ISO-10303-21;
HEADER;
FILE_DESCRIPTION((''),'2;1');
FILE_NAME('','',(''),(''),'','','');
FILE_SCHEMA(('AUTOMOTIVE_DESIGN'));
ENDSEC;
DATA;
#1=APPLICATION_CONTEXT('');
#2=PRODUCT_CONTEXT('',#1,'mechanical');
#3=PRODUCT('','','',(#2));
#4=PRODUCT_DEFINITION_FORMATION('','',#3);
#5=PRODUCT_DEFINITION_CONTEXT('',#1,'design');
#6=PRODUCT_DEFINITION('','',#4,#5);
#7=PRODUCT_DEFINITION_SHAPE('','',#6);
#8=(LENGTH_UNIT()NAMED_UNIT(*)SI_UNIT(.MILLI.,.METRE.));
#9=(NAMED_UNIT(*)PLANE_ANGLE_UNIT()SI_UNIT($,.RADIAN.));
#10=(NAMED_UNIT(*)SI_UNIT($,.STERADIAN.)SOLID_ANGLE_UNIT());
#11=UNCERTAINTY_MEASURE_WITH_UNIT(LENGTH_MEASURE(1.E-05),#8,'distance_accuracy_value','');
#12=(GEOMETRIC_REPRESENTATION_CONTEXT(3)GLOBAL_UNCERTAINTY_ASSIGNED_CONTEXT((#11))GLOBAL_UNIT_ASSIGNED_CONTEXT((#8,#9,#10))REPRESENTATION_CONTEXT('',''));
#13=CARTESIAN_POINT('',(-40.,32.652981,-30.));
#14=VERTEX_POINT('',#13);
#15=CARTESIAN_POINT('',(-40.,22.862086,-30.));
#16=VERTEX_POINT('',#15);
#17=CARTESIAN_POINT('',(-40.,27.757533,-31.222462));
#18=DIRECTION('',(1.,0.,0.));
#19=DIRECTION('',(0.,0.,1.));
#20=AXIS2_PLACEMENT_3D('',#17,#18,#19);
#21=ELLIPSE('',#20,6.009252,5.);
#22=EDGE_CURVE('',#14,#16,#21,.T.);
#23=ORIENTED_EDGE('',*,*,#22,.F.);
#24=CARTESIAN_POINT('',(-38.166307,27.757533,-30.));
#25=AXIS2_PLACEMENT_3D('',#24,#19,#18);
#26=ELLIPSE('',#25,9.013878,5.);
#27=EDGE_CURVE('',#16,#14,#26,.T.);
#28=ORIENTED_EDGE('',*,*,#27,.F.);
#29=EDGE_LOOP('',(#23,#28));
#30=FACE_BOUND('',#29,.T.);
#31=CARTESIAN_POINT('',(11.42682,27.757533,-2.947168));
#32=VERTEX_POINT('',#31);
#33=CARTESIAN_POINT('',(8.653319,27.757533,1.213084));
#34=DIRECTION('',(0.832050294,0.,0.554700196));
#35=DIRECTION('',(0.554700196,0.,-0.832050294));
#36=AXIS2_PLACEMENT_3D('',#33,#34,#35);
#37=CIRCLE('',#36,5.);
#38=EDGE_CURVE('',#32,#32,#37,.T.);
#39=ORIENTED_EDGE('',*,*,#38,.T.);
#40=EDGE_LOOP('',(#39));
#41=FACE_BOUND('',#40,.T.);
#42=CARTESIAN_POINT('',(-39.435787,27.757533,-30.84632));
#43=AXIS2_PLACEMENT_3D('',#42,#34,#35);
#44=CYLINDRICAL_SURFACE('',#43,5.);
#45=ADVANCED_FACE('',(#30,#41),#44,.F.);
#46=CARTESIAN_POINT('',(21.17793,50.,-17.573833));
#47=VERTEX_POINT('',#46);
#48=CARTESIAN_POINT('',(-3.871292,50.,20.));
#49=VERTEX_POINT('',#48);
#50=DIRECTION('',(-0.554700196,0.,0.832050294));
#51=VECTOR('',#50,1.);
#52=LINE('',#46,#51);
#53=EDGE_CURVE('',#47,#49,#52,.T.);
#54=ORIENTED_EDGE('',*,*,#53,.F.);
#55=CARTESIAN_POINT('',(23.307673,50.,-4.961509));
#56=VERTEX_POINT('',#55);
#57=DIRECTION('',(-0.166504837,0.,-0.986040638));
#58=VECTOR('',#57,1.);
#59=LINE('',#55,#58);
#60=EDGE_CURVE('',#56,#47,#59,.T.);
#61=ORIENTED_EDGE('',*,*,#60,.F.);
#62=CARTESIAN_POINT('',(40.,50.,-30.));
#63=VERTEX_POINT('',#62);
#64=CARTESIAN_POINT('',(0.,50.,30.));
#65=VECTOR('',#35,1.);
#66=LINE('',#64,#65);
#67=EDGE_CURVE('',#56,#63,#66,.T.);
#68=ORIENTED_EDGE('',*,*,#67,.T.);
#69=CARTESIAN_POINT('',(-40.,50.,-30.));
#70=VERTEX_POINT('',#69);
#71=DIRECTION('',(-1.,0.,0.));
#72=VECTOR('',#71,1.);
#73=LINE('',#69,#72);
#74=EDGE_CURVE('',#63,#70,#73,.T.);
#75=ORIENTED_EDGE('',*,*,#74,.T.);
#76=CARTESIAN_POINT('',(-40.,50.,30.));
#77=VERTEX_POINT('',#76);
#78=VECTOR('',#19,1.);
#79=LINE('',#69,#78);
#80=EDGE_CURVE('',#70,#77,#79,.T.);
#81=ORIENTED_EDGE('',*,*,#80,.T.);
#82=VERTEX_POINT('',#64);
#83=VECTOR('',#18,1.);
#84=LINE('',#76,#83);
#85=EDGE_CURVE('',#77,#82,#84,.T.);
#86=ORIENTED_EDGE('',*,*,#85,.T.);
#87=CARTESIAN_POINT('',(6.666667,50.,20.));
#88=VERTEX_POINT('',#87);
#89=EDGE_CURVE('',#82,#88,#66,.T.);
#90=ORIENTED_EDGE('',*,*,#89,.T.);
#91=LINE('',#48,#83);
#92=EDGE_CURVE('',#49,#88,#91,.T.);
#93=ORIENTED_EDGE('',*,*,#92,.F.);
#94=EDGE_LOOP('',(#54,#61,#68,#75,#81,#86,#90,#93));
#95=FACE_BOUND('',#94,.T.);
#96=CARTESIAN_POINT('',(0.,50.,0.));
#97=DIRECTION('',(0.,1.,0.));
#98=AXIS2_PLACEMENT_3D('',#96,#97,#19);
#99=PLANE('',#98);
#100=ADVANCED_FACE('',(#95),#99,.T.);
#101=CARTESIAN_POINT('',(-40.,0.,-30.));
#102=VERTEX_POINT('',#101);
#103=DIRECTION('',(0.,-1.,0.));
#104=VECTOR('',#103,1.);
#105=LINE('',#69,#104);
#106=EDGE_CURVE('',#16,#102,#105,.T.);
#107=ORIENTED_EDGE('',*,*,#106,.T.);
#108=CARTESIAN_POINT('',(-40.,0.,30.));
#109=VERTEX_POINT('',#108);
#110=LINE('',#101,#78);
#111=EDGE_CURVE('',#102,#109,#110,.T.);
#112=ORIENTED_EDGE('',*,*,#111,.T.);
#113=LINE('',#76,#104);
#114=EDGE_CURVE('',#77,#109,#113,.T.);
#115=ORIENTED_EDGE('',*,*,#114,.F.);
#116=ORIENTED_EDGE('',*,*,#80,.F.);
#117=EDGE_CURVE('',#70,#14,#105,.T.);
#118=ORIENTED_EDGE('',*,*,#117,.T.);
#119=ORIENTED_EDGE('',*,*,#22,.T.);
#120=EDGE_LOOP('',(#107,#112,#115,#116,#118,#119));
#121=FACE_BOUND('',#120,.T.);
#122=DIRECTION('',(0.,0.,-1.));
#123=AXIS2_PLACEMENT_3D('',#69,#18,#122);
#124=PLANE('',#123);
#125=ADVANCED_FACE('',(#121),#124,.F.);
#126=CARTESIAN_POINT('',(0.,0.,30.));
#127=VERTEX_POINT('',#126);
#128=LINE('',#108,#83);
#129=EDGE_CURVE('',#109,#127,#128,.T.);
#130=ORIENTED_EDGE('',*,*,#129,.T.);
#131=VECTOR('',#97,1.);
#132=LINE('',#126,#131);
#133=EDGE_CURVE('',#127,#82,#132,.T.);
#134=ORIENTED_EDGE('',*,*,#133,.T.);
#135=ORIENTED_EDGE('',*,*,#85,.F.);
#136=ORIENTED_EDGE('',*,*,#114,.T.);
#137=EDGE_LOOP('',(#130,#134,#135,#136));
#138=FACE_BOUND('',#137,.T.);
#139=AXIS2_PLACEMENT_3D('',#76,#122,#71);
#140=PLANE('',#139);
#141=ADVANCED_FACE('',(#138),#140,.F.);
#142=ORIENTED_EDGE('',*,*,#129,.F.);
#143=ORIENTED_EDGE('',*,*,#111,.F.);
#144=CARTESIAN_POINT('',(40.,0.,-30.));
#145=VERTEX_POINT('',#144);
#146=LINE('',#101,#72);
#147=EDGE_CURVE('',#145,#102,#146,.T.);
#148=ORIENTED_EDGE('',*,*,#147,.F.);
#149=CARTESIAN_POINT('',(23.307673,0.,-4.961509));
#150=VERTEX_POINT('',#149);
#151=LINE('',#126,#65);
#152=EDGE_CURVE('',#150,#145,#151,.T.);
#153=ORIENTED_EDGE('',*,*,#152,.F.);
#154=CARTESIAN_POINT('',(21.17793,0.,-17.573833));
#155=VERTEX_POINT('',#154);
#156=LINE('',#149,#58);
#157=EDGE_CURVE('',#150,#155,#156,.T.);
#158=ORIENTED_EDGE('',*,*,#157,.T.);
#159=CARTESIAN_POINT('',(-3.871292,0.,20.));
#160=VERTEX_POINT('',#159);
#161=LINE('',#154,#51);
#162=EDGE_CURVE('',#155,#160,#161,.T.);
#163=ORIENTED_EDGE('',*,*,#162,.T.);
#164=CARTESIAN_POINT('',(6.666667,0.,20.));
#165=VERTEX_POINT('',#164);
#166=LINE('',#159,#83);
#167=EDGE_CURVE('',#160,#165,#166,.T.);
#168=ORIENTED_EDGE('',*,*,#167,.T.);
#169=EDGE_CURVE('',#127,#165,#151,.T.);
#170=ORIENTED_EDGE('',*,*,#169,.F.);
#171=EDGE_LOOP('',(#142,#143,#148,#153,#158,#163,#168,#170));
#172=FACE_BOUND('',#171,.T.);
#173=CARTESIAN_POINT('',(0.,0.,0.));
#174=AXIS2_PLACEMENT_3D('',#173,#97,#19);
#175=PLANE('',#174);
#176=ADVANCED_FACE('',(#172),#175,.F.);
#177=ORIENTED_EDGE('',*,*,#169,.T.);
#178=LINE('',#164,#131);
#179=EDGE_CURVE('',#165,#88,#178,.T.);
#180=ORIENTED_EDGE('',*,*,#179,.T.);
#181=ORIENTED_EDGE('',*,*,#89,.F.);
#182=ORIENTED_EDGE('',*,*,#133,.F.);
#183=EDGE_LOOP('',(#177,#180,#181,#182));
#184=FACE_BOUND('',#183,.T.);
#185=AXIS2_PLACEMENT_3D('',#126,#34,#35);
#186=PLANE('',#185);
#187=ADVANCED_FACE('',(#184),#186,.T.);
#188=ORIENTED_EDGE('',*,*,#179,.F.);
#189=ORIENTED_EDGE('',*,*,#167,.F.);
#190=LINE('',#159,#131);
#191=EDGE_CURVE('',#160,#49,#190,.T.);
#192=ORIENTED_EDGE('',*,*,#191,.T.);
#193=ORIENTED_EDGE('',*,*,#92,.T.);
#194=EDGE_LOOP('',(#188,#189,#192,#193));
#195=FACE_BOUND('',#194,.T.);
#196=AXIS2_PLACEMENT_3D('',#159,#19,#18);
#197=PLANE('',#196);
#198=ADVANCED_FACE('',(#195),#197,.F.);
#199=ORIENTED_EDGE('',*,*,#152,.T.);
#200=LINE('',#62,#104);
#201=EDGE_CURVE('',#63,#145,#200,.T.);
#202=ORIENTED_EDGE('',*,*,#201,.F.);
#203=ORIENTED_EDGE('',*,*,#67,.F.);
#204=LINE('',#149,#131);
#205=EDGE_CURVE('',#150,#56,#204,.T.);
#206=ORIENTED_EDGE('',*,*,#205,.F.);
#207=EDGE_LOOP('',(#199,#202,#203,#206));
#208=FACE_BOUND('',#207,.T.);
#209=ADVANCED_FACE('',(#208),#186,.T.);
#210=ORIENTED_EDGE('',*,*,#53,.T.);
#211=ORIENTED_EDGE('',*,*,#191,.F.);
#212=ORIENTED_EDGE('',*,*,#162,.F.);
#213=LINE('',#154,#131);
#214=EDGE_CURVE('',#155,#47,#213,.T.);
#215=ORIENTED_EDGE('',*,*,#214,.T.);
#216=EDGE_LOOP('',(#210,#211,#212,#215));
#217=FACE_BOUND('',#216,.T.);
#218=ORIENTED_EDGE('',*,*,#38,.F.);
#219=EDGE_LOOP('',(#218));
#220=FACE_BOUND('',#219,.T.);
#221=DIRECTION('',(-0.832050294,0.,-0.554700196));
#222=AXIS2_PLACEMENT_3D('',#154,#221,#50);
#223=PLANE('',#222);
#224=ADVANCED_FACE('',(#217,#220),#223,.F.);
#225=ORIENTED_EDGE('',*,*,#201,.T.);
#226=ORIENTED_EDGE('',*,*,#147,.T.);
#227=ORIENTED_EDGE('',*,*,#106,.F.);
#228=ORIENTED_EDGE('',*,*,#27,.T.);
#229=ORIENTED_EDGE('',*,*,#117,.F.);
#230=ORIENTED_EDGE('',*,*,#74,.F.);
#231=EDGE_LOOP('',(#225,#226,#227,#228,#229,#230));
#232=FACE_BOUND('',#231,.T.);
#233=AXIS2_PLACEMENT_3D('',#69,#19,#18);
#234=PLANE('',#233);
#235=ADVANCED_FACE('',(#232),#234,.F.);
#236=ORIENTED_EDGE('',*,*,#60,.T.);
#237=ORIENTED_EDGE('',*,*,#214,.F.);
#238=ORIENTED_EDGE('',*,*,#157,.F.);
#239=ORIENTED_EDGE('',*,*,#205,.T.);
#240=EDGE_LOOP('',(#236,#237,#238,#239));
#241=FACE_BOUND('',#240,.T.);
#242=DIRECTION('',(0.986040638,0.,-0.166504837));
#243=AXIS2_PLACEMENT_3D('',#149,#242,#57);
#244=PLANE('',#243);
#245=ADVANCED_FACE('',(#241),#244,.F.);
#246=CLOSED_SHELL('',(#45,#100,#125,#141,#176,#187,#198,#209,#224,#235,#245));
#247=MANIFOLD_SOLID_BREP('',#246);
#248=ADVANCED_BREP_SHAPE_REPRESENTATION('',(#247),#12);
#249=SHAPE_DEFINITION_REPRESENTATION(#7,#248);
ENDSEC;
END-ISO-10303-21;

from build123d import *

# Parameters (mm, degrees)
SKETCH2_W           = 80
SKETCH2_H           = 60
BOSS_EXTRUDE2_DEPTH = 50
CUT_EXTRUDE1_DEPTH  = 51
CUT_EXTRUDE3_DEPTH  = 51
SKETCH10_R          = 5
CUT_EXTRUDE4_DEPTH  = 58.795911827


with BuildPart() as part:
    # Sketch2 → Boss-Extrude2 (new body)
    with BuildSketch(Plane(origin=(0, 0, 0), x_dir=(1, 0, 0), z_dir=(0, 1, 0))):
        Rectangle(SKETCH2_W, SKETCH2_H)
    extrude(amount=BOSS_EXTRUDE2_DEPTH)

    # Sketch4 → Cut-Extrude1 (cut, through all)
    with BuildSketch(Plane(origin=(0, 50, 0), x_dir=(1, 0, 0), z_dir=(0, 1, 0))):
        Polygon((0, -30), (40, 30), (40, -30), align=None)
    extrude(amount=-CUT_EXTRUDE1_DEPTH, mode=Mode.SUBTRACT)

    # Sketch9 → Cut-Extrude3 (cut, through all)
    with BuildSketch(Plane(origin=(0, 50, 0), x_dir=(1, 0, 0), z_dir=(0, 1, 0))):
        Polygon((23.307672553, 4.96150883), (21.177929754, 17.573832829), (-3.871292132, -20), (6.666666667, -20), align=None)
    extrude(amount=-CUT_EXTRUDE3_DEPTH, mode=Mode.SUBTRACT)

    # Sketch10 → Cut-Extrude4 (cut, through all)
    with BuildSketch(Plane(origin=(6.550643909, 0, 4.367095939), x_dir=(0.554700196, 0, -0.832050294), z_dir=(0.832050294, 0, 0.554700196))):
        with Locations((3.790651088, 27.7575331)):
            Circle(SKETCH10_R)
    extrude(amount=-CUT_EXTRUDE4_DEPTH, mode=Mode.SUBTRACT)


solid = part.part
